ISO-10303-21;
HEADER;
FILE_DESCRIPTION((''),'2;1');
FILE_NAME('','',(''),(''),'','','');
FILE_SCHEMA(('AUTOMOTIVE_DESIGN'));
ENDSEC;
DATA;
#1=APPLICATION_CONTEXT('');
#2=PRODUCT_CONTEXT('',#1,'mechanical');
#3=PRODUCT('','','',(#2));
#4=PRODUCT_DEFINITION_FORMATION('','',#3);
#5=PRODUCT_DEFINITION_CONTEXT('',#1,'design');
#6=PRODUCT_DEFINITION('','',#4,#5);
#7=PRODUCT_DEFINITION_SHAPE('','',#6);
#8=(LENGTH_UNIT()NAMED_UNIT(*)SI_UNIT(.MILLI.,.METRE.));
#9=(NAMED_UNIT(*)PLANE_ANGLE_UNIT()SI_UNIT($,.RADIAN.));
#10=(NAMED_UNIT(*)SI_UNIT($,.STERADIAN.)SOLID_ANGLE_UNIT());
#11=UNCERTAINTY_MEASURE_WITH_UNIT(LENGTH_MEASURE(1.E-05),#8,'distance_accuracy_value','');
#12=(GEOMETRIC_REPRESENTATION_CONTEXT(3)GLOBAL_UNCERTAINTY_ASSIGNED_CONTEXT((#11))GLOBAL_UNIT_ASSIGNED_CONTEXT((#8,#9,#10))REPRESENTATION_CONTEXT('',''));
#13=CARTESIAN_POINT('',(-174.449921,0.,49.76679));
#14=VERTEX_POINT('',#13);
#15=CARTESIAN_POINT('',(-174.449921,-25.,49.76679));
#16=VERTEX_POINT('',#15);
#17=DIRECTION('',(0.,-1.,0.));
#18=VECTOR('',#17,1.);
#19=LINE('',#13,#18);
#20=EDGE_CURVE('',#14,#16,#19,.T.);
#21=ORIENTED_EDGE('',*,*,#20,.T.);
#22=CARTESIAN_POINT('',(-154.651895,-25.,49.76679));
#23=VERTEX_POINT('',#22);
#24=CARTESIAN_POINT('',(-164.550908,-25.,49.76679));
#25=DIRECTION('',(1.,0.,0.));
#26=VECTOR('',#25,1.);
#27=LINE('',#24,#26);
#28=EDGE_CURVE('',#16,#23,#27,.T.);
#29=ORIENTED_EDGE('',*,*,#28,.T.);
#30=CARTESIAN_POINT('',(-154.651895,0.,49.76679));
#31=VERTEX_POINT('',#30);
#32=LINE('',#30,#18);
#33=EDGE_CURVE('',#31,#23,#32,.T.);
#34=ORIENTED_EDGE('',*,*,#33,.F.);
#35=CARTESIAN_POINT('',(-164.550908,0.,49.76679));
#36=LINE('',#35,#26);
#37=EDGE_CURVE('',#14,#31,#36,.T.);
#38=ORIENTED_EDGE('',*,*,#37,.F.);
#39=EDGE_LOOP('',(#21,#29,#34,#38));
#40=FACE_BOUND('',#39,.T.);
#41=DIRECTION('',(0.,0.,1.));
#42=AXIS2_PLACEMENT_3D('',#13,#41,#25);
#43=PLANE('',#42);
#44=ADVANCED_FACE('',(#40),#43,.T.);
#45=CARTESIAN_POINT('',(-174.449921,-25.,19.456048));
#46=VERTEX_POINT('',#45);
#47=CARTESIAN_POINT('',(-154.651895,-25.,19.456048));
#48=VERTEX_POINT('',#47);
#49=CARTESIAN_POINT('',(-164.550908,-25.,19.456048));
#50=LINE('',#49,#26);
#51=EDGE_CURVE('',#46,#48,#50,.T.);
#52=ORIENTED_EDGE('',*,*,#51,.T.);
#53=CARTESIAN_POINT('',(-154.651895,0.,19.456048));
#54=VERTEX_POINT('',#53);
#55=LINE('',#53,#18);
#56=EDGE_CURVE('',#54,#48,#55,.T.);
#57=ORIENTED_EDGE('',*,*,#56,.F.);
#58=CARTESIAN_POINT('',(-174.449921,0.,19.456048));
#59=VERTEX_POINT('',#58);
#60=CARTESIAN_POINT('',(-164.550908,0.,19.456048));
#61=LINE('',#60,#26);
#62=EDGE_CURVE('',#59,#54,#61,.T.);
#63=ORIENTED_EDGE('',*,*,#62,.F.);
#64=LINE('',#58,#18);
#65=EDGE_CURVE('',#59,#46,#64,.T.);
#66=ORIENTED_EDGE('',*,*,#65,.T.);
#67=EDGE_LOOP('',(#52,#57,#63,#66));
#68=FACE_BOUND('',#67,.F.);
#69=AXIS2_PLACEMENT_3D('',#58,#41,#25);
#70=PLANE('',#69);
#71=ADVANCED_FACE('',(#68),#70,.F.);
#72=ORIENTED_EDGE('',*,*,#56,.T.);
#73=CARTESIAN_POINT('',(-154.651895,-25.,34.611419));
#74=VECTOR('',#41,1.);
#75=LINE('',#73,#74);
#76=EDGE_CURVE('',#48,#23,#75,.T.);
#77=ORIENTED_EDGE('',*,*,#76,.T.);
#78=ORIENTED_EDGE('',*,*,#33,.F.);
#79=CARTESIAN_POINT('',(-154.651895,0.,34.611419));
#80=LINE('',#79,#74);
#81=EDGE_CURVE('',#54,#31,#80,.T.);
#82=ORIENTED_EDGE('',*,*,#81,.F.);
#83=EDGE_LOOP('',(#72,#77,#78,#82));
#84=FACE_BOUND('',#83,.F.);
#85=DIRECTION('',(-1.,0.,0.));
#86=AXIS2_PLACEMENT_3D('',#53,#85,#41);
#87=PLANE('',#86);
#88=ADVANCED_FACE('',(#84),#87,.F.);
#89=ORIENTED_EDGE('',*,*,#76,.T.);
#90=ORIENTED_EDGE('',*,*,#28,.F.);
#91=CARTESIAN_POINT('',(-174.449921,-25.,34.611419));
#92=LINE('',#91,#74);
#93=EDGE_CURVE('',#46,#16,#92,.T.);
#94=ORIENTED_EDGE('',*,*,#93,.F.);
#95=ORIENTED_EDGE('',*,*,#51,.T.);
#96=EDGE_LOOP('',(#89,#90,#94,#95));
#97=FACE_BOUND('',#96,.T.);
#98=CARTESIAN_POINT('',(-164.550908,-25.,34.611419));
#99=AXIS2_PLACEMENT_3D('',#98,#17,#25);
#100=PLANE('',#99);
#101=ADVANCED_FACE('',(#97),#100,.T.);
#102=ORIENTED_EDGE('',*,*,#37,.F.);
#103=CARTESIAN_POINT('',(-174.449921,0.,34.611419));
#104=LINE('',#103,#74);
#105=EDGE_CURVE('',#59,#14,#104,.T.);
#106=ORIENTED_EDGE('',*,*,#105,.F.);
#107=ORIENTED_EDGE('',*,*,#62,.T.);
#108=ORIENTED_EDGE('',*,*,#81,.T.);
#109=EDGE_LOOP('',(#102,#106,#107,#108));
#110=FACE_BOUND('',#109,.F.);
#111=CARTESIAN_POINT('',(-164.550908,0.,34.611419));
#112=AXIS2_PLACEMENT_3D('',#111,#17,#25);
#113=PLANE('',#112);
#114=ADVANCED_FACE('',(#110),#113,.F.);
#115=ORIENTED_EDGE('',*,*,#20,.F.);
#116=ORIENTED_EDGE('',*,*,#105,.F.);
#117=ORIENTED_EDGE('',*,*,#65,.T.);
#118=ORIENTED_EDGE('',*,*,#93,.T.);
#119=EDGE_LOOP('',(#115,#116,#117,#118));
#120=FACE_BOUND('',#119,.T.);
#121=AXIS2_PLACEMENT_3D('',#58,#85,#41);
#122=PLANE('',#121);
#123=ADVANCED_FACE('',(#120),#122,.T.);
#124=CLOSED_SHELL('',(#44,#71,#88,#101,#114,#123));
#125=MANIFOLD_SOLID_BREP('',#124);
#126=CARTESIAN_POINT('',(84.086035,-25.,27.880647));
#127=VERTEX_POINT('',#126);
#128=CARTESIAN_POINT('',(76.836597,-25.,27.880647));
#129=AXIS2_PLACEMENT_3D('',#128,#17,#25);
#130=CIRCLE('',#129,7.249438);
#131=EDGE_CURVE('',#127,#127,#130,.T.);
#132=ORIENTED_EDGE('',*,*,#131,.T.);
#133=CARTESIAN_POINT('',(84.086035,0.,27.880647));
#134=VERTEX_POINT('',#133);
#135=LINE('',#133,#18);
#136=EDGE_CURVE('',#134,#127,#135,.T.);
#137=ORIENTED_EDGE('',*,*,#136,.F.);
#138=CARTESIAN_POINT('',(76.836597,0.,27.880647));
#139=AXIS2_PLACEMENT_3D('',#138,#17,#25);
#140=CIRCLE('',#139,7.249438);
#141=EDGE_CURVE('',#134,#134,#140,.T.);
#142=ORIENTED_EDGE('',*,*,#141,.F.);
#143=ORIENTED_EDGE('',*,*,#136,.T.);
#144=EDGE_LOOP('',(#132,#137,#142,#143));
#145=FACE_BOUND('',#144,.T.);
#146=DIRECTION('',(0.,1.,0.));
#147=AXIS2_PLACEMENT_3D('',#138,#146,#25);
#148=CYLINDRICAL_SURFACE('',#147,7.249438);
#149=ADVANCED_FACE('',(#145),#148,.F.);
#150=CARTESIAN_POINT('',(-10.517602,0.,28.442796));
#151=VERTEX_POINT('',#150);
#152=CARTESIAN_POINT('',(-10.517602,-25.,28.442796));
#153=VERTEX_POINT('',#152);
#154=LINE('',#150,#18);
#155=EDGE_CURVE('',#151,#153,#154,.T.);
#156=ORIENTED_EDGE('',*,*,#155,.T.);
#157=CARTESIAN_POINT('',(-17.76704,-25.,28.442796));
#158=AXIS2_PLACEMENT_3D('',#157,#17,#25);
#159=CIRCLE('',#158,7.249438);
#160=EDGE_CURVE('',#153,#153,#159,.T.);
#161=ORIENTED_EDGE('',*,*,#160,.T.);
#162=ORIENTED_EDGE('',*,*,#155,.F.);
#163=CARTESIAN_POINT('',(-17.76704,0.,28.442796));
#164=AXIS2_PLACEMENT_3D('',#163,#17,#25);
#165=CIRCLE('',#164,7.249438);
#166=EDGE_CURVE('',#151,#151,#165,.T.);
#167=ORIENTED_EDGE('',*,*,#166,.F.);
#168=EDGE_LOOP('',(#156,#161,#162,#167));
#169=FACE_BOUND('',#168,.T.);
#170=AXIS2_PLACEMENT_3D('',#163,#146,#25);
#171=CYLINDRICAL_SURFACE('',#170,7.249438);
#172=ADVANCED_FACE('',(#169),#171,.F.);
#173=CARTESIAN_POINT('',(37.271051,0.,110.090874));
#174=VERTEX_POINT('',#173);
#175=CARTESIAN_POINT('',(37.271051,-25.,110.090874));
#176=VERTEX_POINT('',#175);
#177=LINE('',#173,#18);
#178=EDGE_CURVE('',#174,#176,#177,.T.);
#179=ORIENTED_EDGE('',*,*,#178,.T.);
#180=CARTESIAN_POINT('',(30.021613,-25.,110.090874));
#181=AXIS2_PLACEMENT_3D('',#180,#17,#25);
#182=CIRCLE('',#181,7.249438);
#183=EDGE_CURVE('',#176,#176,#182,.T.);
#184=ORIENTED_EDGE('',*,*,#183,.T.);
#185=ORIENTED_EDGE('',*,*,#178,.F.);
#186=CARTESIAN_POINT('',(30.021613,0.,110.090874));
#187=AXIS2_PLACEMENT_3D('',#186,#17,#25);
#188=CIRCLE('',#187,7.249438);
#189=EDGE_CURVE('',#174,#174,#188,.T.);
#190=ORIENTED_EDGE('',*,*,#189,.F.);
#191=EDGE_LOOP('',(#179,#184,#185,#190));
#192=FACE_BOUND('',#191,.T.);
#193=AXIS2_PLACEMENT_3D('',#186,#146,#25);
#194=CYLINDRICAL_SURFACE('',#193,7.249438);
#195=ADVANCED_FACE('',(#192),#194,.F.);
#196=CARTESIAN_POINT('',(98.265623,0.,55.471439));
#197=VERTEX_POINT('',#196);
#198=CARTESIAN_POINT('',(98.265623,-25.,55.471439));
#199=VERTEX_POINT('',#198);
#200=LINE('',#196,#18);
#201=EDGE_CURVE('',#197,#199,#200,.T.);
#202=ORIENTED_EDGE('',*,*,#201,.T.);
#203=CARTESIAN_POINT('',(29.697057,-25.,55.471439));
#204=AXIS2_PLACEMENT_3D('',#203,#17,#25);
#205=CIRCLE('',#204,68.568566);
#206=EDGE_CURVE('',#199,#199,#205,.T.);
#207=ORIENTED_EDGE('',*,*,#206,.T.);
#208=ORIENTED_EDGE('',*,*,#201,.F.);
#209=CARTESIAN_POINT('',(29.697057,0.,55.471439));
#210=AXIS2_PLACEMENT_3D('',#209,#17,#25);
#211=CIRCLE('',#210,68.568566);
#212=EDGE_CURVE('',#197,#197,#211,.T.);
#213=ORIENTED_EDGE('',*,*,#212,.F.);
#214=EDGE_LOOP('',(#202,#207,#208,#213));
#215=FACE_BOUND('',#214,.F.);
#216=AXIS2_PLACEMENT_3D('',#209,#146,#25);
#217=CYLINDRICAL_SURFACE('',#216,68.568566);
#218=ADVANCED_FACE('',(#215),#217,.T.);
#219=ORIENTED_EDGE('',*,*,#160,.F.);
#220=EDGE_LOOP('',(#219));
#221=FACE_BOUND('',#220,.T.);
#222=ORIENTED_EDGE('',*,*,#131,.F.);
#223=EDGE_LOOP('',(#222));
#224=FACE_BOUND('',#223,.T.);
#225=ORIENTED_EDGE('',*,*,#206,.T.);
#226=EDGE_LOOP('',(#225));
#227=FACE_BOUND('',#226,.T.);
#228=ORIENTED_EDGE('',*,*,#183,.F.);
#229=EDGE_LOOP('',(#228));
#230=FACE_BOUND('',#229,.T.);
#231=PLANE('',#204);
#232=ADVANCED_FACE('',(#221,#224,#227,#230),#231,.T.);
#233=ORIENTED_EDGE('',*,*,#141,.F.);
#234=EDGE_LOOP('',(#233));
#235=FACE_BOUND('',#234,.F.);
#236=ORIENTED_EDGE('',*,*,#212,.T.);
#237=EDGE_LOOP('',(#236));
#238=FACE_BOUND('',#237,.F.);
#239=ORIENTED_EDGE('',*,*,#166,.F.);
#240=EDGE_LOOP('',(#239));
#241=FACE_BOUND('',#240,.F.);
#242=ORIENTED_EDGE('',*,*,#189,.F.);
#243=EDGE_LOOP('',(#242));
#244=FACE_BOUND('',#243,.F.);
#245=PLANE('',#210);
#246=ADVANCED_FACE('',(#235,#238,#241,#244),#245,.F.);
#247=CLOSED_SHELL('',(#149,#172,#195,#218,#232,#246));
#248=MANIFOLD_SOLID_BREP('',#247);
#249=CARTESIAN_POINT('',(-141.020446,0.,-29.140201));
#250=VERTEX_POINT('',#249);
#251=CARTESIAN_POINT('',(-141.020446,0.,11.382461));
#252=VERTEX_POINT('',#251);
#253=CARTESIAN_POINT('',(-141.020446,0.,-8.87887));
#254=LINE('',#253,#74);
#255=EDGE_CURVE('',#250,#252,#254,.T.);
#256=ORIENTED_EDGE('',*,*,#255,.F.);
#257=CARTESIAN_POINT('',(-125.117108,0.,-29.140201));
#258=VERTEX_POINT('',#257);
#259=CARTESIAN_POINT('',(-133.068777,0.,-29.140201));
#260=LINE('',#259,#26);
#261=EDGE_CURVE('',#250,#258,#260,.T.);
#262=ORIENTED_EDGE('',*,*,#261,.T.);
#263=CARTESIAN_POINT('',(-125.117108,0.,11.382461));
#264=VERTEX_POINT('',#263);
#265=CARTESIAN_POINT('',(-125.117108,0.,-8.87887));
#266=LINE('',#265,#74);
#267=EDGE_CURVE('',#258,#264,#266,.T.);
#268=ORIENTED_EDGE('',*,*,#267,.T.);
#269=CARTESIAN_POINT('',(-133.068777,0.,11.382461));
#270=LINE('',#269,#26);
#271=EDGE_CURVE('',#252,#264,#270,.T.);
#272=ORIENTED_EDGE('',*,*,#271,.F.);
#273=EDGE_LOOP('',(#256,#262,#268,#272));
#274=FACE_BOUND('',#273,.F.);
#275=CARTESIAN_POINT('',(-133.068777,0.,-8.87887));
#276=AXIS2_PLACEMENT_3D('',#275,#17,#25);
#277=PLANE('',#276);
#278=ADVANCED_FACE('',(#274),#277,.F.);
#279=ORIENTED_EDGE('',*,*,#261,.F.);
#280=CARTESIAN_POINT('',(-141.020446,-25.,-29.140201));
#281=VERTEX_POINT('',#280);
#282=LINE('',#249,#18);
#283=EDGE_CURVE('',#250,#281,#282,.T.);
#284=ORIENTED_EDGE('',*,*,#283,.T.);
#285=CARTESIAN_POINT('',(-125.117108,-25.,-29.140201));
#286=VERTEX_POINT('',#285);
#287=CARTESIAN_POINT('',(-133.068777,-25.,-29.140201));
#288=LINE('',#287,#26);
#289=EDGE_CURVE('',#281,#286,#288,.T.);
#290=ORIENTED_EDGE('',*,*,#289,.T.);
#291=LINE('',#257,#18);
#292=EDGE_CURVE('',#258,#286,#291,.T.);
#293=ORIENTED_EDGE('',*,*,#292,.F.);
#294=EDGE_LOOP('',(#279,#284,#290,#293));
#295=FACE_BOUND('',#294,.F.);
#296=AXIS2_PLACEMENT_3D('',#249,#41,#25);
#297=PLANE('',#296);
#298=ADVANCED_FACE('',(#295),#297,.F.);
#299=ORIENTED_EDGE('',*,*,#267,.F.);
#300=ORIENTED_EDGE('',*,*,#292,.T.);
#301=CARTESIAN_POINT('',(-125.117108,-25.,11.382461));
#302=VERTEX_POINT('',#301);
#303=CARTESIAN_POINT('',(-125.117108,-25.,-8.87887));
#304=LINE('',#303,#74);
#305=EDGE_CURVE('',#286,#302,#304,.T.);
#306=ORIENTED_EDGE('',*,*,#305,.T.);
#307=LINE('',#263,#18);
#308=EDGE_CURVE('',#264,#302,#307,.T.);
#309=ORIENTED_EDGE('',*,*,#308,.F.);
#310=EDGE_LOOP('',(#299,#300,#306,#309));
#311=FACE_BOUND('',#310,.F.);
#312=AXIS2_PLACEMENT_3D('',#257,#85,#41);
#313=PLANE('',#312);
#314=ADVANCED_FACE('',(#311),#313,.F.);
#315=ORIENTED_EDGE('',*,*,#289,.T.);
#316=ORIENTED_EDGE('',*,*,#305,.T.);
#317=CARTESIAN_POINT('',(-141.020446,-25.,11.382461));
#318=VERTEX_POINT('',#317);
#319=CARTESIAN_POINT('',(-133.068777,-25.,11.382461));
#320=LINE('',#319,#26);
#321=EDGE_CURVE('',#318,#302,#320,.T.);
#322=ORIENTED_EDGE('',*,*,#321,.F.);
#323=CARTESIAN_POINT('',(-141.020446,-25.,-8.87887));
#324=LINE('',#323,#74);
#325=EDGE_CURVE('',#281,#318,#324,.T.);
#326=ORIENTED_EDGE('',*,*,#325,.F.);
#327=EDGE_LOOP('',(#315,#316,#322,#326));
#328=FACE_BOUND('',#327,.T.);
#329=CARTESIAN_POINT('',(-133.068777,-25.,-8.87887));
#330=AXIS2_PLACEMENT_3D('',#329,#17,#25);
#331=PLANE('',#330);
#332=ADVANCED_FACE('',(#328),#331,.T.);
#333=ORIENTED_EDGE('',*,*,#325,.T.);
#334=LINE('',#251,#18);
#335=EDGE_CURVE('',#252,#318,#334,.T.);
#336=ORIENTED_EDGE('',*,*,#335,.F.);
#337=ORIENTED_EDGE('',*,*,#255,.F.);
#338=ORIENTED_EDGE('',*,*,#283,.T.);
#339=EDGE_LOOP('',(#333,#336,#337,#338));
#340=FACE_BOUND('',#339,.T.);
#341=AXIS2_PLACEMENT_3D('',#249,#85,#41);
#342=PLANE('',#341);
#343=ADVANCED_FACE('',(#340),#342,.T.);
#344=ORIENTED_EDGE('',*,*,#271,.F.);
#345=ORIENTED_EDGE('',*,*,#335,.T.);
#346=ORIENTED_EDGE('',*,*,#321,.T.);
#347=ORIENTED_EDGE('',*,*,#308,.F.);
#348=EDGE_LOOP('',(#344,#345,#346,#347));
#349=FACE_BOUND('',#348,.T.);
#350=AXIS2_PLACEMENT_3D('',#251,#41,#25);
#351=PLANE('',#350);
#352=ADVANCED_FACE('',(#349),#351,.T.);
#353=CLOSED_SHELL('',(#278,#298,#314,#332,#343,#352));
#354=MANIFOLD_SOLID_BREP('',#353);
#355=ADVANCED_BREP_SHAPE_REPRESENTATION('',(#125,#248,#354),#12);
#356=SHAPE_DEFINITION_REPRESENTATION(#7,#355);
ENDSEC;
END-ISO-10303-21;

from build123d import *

# Parameters (mm, degrees)
F0_W     = 19.798026
F0_H     = 30.310742
F0_W_2   = 15.903339
F0_H_2   = 40.522663
F1_DEPTH = 25
F2_R     = 68.568566
F2_R_2   = 7.249438
F3_DEPTH = 25


with BuildPart() as f1:
    # F0 (on Front) → F1 (new body)
    with BuildSketch(Plane.XZ):
        with Locations((-164.550908, 34.611419)):
            Rectangle(F0_W, F0_H)
        with Locations((-133.068777, -8.87887)):
            Rectangle(F0_W_2, F0_H_2)
    extrude(amount=F1_DEPTH)


with BuildPart() as f3:
    # F2 (on Front) → F3 (new body)
    with BuildSketch(Plane.XZ):
        with Locations((29.697057, 55.471439)):
            Circle(F2_R)
        with Locations((-17.76704, 28.442796)):
            Circle(F2_R_2, mode=Mode.SUBTRACT)
        with Locations((76.836597, 27.880647)):
            Circle(F2_R_2, mode=Mode.SUBTRACT)
        with Locations((30.021613, 110.090874)):
            Circle(F2_R_2, mode=Mode.SUBTRACT)
    extrude(amount=F3_DEPTH)


solid = Compound([f1.part, f3.part])
